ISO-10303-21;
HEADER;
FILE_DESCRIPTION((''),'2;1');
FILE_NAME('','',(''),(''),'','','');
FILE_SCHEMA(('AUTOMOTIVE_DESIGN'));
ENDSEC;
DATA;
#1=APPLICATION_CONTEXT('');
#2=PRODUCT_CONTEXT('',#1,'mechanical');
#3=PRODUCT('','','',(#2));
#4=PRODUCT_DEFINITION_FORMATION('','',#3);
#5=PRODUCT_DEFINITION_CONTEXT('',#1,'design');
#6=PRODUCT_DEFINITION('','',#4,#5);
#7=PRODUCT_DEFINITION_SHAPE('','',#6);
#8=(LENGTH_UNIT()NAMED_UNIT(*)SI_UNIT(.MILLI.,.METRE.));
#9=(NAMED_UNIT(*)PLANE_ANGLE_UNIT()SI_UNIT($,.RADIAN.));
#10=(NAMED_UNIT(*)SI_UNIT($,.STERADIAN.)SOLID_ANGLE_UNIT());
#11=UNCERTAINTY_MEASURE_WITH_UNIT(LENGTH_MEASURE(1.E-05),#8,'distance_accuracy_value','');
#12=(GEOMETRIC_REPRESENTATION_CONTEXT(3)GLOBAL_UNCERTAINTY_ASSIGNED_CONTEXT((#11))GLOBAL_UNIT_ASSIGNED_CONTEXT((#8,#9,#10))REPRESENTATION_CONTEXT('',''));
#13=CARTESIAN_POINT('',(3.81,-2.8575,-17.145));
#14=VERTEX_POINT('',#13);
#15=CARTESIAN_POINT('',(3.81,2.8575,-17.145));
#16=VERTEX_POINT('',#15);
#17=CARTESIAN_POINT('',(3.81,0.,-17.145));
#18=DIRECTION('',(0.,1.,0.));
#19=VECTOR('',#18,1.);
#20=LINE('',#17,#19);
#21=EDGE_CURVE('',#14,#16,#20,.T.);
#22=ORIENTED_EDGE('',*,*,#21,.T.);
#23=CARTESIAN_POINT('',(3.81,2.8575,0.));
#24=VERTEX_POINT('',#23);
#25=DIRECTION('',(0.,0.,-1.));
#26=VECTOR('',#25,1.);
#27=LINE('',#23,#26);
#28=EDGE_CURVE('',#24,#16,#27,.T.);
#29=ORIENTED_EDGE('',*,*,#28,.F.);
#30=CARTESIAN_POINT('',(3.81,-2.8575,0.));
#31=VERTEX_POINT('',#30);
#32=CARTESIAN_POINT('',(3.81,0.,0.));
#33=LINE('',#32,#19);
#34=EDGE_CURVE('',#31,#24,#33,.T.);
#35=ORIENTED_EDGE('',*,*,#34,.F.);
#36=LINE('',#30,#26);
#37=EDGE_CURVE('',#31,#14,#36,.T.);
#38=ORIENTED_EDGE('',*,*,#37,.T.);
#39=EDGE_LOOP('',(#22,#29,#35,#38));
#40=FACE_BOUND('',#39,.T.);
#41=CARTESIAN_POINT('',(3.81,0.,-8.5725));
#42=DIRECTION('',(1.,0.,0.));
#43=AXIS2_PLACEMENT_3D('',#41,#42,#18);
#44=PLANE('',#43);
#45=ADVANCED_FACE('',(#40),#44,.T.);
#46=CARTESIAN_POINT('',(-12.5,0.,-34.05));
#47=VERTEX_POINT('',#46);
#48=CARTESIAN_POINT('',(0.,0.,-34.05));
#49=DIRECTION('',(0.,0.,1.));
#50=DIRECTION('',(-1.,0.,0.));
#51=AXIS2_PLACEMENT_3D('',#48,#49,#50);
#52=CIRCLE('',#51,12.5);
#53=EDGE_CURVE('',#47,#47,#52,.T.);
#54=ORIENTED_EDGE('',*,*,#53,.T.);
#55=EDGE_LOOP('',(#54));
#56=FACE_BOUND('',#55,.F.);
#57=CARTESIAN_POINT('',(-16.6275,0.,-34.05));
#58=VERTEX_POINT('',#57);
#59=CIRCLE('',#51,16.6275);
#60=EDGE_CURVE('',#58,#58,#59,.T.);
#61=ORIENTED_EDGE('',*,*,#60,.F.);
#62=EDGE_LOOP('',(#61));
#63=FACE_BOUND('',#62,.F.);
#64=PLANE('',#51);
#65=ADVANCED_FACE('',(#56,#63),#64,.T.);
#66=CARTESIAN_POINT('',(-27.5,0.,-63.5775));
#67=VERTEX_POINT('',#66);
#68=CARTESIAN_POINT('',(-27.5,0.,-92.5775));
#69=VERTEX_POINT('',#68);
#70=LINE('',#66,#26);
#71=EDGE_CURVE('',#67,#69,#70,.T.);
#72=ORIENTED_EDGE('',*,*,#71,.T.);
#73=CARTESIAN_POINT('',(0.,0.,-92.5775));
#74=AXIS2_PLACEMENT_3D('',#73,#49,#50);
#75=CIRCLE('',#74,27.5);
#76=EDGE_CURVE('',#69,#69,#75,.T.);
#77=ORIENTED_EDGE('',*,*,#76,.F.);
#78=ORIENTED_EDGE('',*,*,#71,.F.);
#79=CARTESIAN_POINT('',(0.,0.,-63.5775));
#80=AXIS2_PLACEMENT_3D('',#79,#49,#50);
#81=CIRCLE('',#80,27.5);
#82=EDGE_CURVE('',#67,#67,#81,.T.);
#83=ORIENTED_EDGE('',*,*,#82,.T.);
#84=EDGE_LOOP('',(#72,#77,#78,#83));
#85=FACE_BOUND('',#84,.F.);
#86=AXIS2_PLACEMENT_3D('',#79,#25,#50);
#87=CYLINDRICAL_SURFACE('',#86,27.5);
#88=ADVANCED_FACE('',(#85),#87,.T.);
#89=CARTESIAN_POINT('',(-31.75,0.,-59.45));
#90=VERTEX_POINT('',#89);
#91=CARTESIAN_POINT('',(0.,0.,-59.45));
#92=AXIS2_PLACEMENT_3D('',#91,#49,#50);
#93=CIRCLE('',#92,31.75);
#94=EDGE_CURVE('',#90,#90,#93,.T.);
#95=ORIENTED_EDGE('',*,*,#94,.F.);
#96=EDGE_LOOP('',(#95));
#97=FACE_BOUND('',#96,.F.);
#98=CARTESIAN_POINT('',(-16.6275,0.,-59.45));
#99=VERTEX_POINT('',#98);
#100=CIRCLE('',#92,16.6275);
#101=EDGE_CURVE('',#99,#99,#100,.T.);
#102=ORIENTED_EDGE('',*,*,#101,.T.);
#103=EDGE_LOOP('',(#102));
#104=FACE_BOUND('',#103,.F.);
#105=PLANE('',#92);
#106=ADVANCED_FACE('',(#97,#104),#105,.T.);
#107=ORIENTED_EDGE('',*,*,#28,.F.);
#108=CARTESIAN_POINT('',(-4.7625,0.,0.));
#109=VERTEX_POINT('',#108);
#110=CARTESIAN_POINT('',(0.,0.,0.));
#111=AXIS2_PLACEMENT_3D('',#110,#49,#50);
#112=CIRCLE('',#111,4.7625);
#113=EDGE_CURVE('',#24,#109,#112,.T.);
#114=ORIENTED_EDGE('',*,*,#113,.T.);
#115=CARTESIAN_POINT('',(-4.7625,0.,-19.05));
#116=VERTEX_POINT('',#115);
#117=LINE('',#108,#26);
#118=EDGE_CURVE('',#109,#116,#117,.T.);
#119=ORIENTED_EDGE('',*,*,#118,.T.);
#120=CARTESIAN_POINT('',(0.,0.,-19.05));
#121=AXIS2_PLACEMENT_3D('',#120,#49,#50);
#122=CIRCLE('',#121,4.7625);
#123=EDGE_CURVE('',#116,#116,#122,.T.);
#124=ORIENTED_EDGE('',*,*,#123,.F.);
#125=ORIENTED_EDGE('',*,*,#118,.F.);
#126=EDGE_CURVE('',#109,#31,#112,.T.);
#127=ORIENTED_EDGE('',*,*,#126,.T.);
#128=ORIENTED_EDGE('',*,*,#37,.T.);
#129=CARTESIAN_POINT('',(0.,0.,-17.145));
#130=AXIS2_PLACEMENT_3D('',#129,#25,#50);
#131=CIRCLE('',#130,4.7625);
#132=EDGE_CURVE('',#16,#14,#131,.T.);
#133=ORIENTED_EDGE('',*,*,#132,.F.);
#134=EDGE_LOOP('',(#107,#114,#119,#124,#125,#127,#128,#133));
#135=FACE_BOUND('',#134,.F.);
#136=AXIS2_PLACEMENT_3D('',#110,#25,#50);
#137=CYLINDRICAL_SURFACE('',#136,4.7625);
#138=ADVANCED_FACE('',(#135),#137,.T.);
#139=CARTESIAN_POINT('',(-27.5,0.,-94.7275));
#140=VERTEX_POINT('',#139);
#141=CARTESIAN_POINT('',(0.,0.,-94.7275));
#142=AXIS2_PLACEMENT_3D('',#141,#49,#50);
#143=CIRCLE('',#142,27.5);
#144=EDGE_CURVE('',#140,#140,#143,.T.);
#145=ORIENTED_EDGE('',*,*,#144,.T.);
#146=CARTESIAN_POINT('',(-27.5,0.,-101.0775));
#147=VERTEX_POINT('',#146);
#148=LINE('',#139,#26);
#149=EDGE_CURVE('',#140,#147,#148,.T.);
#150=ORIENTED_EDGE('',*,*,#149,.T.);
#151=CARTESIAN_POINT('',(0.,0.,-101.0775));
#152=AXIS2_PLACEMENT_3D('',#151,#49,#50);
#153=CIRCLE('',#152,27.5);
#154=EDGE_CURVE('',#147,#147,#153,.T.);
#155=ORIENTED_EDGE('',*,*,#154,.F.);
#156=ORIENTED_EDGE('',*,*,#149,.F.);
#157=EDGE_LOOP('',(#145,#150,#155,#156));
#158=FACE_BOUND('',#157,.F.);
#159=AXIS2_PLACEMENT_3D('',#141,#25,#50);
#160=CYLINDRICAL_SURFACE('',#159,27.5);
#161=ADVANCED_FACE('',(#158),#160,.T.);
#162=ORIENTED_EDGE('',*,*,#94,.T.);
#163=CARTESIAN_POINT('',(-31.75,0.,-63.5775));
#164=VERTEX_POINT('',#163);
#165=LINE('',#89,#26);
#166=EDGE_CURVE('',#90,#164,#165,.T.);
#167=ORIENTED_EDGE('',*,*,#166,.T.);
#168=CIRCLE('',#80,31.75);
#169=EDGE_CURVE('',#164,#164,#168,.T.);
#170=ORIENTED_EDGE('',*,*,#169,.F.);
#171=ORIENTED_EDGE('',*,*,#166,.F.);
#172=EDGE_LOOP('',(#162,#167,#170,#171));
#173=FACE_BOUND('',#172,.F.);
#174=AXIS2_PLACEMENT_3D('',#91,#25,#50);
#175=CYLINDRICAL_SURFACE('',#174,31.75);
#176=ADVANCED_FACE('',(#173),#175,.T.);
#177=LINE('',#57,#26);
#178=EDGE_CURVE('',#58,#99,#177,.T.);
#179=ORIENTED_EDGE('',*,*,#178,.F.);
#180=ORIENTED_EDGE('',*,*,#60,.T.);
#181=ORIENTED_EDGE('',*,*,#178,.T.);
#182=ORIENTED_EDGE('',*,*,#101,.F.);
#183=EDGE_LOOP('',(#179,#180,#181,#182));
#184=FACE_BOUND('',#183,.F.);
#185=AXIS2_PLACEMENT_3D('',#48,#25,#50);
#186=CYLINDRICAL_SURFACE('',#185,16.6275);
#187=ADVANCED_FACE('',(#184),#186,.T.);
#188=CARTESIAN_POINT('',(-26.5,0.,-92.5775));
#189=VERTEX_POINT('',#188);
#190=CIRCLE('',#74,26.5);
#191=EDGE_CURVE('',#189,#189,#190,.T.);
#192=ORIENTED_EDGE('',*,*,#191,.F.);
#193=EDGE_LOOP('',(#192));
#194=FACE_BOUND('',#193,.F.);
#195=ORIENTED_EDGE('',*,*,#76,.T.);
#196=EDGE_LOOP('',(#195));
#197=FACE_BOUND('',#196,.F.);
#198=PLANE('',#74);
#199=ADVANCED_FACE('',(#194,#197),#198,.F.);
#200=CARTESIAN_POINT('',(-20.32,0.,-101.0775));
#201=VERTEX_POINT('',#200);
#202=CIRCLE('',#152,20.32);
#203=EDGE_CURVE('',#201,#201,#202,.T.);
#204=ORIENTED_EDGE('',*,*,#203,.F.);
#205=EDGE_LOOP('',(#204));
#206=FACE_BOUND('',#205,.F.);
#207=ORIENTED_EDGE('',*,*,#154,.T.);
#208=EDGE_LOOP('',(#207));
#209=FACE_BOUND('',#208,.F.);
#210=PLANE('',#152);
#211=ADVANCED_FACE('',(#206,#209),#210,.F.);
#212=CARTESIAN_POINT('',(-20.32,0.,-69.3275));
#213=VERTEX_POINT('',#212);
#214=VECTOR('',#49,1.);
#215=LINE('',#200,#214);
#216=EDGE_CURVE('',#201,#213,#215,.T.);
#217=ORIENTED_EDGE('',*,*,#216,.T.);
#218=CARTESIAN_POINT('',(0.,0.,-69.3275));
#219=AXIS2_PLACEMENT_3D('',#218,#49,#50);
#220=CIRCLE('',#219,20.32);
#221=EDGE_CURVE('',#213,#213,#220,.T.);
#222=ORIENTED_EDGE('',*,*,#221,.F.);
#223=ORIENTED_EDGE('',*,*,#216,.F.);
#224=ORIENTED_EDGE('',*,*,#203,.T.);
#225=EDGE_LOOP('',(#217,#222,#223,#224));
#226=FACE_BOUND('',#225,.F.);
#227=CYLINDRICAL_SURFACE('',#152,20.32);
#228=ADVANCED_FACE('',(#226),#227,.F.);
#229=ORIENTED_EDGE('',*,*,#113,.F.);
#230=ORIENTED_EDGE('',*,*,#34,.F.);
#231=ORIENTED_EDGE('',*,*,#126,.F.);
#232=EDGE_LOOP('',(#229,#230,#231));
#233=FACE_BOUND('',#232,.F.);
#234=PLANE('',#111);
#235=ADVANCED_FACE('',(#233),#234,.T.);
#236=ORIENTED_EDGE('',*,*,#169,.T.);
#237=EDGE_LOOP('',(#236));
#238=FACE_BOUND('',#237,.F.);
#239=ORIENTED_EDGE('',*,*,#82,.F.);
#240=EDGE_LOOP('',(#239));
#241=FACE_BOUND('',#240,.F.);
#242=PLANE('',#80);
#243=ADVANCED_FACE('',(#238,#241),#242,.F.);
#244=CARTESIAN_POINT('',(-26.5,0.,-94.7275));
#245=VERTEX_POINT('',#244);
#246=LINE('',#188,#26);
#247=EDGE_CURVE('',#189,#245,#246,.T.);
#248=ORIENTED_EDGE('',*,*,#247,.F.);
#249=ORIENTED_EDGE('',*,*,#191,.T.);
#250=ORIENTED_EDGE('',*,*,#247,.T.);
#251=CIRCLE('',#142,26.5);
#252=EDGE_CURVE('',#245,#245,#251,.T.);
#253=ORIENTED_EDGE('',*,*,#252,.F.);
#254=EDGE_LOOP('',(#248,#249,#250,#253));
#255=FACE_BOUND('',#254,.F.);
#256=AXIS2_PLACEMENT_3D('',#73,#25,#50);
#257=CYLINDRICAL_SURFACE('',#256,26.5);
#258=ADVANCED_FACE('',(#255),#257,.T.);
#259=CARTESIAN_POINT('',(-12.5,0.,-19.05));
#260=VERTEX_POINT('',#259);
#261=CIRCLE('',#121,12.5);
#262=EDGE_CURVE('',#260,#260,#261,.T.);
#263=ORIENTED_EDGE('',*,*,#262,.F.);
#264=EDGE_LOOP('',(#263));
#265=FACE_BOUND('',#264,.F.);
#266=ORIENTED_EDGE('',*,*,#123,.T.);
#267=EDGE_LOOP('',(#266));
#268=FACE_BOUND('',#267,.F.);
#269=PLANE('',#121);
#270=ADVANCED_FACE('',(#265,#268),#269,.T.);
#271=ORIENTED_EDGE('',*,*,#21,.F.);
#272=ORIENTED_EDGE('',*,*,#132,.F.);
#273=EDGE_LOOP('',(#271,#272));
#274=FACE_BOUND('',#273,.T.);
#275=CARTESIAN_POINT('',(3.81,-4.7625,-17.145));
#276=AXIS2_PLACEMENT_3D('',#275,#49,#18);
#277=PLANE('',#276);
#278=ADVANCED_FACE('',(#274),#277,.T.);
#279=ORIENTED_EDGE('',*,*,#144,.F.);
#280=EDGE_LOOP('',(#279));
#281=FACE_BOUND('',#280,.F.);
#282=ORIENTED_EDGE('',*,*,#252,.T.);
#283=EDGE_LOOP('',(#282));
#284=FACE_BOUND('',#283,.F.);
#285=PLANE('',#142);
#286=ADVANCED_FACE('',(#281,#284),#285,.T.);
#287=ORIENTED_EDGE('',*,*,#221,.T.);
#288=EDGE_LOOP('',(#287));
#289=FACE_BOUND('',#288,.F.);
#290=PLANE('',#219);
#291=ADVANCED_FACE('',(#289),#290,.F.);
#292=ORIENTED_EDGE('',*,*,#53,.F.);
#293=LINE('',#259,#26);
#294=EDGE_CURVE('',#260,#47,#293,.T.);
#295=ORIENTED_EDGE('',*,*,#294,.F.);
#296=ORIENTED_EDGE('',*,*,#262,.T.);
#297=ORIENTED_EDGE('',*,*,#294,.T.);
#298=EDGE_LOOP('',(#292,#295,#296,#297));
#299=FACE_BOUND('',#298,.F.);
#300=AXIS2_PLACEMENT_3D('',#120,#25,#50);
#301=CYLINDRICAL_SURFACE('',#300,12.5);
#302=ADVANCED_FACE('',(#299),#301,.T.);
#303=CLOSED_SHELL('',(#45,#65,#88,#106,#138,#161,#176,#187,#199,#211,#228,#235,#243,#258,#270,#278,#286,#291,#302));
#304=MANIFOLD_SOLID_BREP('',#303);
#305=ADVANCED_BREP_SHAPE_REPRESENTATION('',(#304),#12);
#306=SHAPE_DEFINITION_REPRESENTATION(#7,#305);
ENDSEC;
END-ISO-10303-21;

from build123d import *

# Parameters (mm, degrees)
F3_W     = 9.525
F3_H     = 17.145
F4_DEPTH = 27.941


with BuildPart() as f1:
    # F0 (on Front) → F1 (revolve)
    with BuildSketch(Plane.XZ):
        Polygon((0, -69.3275), (0, 0), (-4.7625, 0), (-4.7625, -19.05), (-12.5, -19.05), (-12.5, -34.05), (-16.6275, -34.05), (-16.6275, -59.45), (-31.75, -59.45), (-31.75, -63.5775), (-27.5, -63.5775), (-27.5, -92.5775), (-26.5, -92.5775), (-26.5, -94.7275), (-27.5, -94.7275), (-27.5, -101.0775), (-20.32, -101.0775), (-20.32, -69.3275), align=None)
    revolve(axis=Axis((0, 0, -34.66375), (0, 0, 1)))

    # F3 (on offset) → F4 (cut, through all)
    with BuildSketch(Plane.YZ.offset(3.81)):
        with Locations((0, -8.5725)):
            Rectangle(F3_W, F3_H)
    extrude(amount=F4_DEPTH, mode=Mode.SUBTRACT)


solid = f1.part
